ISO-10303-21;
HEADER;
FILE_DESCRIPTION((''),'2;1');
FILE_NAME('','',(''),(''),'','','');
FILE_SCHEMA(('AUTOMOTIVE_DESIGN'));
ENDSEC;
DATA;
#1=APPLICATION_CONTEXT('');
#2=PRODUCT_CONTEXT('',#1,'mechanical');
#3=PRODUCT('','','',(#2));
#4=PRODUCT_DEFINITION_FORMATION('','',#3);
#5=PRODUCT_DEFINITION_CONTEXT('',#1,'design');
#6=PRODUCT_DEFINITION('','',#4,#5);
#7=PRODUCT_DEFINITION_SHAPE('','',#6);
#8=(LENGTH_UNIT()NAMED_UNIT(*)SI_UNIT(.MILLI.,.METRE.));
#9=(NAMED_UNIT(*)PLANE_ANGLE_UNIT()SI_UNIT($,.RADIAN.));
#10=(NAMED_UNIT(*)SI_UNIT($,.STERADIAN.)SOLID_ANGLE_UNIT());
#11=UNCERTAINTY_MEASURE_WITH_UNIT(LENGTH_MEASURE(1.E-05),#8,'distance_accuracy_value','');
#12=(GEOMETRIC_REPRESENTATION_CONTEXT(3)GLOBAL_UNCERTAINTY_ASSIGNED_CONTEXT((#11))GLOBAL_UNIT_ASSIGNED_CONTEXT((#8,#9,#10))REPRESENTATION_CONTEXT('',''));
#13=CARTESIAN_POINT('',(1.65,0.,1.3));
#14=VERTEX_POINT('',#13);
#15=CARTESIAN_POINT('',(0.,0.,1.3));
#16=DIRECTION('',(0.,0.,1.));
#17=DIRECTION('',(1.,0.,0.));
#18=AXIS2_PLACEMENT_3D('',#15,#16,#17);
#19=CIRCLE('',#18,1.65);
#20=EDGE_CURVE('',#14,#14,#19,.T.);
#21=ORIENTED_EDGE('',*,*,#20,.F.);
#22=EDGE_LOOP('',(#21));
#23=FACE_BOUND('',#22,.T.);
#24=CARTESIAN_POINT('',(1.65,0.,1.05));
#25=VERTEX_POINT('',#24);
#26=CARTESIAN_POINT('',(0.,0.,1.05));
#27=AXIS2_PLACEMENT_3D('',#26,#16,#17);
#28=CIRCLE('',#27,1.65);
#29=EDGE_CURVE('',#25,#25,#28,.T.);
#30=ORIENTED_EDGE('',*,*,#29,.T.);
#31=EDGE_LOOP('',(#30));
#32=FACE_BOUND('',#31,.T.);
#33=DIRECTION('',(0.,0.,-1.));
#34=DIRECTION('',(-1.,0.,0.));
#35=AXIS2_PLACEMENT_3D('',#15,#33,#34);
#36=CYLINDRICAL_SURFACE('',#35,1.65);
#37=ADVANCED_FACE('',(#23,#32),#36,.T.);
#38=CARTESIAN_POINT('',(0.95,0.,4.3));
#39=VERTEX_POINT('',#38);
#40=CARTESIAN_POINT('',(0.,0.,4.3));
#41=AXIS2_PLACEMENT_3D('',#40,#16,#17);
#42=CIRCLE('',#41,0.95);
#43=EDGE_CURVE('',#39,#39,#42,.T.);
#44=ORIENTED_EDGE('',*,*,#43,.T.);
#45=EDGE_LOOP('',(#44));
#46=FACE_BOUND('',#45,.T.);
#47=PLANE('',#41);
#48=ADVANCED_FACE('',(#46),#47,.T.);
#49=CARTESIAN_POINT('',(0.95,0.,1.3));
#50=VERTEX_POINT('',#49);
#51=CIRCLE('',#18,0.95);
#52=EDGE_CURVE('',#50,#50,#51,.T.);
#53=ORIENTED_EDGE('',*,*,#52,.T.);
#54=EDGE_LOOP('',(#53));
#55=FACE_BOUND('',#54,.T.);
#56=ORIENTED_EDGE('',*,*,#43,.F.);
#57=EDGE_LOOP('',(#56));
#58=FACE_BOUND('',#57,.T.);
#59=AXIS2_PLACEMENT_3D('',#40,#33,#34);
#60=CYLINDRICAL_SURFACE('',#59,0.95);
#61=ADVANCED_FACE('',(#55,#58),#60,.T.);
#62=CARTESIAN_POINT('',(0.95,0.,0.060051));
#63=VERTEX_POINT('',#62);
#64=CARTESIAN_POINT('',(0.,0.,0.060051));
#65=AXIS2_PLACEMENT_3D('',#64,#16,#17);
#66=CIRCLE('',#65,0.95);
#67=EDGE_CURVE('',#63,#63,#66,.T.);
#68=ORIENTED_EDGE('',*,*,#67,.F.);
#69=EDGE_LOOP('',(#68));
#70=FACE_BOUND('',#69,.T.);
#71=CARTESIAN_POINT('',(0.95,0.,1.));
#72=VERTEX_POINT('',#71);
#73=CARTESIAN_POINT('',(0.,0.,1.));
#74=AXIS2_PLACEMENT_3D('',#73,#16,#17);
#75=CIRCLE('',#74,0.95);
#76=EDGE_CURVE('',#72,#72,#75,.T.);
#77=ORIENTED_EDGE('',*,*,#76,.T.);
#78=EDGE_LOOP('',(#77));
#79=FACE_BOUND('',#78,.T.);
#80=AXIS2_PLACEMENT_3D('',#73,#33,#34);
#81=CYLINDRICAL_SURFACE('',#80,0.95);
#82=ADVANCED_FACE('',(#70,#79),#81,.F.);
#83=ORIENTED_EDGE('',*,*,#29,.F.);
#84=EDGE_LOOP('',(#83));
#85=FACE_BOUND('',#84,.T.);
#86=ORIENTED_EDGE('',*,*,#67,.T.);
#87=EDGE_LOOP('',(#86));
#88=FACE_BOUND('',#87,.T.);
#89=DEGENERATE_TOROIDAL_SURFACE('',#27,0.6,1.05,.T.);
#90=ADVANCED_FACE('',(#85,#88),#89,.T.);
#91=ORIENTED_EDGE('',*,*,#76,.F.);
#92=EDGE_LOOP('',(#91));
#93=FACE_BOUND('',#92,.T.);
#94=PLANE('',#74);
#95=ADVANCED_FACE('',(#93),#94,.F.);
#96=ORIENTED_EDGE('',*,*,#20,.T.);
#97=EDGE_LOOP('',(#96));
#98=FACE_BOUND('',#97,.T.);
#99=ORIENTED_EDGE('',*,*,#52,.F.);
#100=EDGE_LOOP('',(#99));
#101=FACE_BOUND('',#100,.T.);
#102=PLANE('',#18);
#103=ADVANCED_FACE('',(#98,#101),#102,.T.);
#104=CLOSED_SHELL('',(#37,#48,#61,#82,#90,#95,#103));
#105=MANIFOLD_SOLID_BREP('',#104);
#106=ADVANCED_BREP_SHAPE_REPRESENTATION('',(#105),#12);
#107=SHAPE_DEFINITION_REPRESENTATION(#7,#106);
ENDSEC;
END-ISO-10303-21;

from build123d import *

# Parameters (mm, degrees)
SKETCH1_R           = 1.65
SKETCH1_R_2         = 0.95
BOSS_EXTRUDE1_DEPTH = 1.3
BOSS_EXTRUDE2_START = 1.3
SKETCH1_3_R         = 0.95
BOSS_EXTRUDE2_DEPTH = 3
FILLET1_R           = 1.05
SKETCH1_4_R         = 0.95
CUT_EXTRUDE1_DEPTH  = 1


with BuildPart() as part:
    # Sketch1 → Boss-Extrude1 (new body)
    with BuildSketch(Plane.XY):
        Circle(SKETCH1_R)
        Circle(SKETCH1_R_2, mode=Mode.SUBTRACT)
        Circle(SKETCH1_R_2)
    extrude(amount=BOSS_EXTRUDE1_DEPTH)

    # Sketch1<3> → Boss-Extrude2 (add)
    with BuildSketch(Plane.XY.offset(BOSS_EXTRUDE2_START)):
        Circle(SKETCH1_3_R)
    extrude(amount=BOSS_EXTRUDE2_DEPTH)

    # Fillet1
    fillet1_edges = [part.edges().sort_by_distance(p)[0] for p in [
        (-1.65, 0, 0),
    ]]
    fillet(fillet1_edges, radius=FILLET1_R)

    # Sketch1<4> → Cut-Extrude1 (cut)
    with BuildSketch(Plane.XY):
        Circle(SKETCH1_4_R)
    extrude(amount=CUT_EXTRUDE1_DEPTH, mode=Mode.SUBTRACT)


solid = part.part
